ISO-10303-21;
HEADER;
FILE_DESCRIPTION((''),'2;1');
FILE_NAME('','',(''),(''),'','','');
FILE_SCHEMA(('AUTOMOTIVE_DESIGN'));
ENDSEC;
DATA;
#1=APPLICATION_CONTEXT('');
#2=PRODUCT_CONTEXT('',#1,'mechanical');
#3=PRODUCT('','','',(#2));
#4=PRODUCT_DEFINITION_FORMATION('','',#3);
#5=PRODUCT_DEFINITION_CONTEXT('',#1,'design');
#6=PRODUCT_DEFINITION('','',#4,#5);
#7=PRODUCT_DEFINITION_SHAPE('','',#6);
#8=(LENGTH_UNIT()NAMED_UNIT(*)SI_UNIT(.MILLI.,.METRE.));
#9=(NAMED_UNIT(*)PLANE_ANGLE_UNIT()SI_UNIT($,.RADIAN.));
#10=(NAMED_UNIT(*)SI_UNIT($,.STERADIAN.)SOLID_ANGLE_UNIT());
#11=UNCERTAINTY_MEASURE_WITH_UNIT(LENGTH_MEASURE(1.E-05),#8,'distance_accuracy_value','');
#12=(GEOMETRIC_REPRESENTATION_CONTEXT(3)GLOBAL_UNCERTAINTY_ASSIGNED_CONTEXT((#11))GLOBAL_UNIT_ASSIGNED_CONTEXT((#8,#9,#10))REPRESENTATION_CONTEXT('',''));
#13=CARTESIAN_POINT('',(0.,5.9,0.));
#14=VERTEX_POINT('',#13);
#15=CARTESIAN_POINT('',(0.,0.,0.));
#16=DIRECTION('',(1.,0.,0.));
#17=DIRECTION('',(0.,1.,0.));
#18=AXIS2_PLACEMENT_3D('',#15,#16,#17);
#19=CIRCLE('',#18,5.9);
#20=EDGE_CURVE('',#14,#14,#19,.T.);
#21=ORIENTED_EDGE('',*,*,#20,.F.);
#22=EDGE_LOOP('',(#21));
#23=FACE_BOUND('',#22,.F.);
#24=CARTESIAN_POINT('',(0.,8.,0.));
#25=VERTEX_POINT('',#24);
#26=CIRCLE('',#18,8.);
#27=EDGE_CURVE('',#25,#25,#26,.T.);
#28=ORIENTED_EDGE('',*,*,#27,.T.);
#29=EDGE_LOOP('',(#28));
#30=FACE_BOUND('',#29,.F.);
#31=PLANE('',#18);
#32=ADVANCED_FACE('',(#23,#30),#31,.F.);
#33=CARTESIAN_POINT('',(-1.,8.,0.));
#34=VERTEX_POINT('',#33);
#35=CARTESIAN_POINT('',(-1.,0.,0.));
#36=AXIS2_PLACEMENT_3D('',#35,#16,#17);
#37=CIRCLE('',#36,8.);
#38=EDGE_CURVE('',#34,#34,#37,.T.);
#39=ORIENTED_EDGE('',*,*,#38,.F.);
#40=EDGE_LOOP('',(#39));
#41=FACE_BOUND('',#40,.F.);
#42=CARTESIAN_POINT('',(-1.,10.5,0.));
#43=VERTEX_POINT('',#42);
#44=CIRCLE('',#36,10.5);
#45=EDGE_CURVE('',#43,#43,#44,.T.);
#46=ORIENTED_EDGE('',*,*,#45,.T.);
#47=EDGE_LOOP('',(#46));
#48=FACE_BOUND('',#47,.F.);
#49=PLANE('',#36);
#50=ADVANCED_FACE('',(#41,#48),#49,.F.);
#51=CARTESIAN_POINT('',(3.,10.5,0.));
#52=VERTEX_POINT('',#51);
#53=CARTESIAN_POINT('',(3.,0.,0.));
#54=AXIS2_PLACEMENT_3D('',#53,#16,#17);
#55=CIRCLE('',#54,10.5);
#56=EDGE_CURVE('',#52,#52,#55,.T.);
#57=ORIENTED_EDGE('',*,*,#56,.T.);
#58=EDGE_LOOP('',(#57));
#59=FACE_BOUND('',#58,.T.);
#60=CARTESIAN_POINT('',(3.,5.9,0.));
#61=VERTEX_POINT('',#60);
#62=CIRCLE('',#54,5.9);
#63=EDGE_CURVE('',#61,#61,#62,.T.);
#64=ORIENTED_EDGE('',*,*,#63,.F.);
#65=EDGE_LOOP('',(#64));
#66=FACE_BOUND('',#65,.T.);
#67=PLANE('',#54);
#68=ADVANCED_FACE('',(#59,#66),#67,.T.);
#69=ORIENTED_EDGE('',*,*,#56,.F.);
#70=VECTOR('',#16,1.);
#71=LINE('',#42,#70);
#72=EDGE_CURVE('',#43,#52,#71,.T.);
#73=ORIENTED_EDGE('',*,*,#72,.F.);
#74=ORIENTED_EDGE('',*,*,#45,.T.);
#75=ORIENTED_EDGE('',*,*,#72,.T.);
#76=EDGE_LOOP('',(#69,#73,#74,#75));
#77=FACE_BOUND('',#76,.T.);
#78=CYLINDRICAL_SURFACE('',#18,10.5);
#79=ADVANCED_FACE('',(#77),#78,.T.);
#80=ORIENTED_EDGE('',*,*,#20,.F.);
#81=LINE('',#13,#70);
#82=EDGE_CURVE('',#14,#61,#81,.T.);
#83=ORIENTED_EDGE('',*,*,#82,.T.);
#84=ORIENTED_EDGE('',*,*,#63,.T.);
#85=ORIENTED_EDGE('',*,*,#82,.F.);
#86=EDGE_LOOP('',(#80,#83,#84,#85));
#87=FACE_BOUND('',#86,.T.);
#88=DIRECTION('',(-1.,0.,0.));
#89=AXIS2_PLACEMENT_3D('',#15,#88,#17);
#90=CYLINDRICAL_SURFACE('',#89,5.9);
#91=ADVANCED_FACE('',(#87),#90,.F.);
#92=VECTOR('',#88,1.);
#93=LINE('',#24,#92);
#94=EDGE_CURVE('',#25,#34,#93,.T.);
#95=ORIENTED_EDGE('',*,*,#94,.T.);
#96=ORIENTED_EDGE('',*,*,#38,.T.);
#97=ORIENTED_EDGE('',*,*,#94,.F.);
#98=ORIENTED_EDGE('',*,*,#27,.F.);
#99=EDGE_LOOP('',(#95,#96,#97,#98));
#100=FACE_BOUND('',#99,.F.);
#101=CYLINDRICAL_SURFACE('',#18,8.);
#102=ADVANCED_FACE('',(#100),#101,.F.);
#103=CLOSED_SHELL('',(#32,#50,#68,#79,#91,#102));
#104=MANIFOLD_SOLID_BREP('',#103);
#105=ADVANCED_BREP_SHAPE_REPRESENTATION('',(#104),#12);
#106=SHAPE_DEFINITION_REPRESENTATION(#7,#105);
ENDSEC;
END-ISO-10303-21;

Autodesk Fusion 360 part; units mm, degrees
sketch "草图1" plane through (0, 0, 0) normal (1, 0, 0) x (0, 1, 0)
  circle A0 centre (0, 0) radius 5.9
  circle A1 centre (0, 0) radius 8
  circle A2 centre (0, 0) radius 6.75
  circle A3 centre (0, 0) radius 10.5
  dimension "d1" = 11.8
  dimension "d2" = 16
  dimension "d3" = 13.5
  dimension "d6" = 21
extrude "拉伸1" add sketch "草图1" along normal blind 3 contours A1 | A2
extrude "拉伸2" add sketch "草图1" along normal blind 3 and the other way blind 1 contours A3
